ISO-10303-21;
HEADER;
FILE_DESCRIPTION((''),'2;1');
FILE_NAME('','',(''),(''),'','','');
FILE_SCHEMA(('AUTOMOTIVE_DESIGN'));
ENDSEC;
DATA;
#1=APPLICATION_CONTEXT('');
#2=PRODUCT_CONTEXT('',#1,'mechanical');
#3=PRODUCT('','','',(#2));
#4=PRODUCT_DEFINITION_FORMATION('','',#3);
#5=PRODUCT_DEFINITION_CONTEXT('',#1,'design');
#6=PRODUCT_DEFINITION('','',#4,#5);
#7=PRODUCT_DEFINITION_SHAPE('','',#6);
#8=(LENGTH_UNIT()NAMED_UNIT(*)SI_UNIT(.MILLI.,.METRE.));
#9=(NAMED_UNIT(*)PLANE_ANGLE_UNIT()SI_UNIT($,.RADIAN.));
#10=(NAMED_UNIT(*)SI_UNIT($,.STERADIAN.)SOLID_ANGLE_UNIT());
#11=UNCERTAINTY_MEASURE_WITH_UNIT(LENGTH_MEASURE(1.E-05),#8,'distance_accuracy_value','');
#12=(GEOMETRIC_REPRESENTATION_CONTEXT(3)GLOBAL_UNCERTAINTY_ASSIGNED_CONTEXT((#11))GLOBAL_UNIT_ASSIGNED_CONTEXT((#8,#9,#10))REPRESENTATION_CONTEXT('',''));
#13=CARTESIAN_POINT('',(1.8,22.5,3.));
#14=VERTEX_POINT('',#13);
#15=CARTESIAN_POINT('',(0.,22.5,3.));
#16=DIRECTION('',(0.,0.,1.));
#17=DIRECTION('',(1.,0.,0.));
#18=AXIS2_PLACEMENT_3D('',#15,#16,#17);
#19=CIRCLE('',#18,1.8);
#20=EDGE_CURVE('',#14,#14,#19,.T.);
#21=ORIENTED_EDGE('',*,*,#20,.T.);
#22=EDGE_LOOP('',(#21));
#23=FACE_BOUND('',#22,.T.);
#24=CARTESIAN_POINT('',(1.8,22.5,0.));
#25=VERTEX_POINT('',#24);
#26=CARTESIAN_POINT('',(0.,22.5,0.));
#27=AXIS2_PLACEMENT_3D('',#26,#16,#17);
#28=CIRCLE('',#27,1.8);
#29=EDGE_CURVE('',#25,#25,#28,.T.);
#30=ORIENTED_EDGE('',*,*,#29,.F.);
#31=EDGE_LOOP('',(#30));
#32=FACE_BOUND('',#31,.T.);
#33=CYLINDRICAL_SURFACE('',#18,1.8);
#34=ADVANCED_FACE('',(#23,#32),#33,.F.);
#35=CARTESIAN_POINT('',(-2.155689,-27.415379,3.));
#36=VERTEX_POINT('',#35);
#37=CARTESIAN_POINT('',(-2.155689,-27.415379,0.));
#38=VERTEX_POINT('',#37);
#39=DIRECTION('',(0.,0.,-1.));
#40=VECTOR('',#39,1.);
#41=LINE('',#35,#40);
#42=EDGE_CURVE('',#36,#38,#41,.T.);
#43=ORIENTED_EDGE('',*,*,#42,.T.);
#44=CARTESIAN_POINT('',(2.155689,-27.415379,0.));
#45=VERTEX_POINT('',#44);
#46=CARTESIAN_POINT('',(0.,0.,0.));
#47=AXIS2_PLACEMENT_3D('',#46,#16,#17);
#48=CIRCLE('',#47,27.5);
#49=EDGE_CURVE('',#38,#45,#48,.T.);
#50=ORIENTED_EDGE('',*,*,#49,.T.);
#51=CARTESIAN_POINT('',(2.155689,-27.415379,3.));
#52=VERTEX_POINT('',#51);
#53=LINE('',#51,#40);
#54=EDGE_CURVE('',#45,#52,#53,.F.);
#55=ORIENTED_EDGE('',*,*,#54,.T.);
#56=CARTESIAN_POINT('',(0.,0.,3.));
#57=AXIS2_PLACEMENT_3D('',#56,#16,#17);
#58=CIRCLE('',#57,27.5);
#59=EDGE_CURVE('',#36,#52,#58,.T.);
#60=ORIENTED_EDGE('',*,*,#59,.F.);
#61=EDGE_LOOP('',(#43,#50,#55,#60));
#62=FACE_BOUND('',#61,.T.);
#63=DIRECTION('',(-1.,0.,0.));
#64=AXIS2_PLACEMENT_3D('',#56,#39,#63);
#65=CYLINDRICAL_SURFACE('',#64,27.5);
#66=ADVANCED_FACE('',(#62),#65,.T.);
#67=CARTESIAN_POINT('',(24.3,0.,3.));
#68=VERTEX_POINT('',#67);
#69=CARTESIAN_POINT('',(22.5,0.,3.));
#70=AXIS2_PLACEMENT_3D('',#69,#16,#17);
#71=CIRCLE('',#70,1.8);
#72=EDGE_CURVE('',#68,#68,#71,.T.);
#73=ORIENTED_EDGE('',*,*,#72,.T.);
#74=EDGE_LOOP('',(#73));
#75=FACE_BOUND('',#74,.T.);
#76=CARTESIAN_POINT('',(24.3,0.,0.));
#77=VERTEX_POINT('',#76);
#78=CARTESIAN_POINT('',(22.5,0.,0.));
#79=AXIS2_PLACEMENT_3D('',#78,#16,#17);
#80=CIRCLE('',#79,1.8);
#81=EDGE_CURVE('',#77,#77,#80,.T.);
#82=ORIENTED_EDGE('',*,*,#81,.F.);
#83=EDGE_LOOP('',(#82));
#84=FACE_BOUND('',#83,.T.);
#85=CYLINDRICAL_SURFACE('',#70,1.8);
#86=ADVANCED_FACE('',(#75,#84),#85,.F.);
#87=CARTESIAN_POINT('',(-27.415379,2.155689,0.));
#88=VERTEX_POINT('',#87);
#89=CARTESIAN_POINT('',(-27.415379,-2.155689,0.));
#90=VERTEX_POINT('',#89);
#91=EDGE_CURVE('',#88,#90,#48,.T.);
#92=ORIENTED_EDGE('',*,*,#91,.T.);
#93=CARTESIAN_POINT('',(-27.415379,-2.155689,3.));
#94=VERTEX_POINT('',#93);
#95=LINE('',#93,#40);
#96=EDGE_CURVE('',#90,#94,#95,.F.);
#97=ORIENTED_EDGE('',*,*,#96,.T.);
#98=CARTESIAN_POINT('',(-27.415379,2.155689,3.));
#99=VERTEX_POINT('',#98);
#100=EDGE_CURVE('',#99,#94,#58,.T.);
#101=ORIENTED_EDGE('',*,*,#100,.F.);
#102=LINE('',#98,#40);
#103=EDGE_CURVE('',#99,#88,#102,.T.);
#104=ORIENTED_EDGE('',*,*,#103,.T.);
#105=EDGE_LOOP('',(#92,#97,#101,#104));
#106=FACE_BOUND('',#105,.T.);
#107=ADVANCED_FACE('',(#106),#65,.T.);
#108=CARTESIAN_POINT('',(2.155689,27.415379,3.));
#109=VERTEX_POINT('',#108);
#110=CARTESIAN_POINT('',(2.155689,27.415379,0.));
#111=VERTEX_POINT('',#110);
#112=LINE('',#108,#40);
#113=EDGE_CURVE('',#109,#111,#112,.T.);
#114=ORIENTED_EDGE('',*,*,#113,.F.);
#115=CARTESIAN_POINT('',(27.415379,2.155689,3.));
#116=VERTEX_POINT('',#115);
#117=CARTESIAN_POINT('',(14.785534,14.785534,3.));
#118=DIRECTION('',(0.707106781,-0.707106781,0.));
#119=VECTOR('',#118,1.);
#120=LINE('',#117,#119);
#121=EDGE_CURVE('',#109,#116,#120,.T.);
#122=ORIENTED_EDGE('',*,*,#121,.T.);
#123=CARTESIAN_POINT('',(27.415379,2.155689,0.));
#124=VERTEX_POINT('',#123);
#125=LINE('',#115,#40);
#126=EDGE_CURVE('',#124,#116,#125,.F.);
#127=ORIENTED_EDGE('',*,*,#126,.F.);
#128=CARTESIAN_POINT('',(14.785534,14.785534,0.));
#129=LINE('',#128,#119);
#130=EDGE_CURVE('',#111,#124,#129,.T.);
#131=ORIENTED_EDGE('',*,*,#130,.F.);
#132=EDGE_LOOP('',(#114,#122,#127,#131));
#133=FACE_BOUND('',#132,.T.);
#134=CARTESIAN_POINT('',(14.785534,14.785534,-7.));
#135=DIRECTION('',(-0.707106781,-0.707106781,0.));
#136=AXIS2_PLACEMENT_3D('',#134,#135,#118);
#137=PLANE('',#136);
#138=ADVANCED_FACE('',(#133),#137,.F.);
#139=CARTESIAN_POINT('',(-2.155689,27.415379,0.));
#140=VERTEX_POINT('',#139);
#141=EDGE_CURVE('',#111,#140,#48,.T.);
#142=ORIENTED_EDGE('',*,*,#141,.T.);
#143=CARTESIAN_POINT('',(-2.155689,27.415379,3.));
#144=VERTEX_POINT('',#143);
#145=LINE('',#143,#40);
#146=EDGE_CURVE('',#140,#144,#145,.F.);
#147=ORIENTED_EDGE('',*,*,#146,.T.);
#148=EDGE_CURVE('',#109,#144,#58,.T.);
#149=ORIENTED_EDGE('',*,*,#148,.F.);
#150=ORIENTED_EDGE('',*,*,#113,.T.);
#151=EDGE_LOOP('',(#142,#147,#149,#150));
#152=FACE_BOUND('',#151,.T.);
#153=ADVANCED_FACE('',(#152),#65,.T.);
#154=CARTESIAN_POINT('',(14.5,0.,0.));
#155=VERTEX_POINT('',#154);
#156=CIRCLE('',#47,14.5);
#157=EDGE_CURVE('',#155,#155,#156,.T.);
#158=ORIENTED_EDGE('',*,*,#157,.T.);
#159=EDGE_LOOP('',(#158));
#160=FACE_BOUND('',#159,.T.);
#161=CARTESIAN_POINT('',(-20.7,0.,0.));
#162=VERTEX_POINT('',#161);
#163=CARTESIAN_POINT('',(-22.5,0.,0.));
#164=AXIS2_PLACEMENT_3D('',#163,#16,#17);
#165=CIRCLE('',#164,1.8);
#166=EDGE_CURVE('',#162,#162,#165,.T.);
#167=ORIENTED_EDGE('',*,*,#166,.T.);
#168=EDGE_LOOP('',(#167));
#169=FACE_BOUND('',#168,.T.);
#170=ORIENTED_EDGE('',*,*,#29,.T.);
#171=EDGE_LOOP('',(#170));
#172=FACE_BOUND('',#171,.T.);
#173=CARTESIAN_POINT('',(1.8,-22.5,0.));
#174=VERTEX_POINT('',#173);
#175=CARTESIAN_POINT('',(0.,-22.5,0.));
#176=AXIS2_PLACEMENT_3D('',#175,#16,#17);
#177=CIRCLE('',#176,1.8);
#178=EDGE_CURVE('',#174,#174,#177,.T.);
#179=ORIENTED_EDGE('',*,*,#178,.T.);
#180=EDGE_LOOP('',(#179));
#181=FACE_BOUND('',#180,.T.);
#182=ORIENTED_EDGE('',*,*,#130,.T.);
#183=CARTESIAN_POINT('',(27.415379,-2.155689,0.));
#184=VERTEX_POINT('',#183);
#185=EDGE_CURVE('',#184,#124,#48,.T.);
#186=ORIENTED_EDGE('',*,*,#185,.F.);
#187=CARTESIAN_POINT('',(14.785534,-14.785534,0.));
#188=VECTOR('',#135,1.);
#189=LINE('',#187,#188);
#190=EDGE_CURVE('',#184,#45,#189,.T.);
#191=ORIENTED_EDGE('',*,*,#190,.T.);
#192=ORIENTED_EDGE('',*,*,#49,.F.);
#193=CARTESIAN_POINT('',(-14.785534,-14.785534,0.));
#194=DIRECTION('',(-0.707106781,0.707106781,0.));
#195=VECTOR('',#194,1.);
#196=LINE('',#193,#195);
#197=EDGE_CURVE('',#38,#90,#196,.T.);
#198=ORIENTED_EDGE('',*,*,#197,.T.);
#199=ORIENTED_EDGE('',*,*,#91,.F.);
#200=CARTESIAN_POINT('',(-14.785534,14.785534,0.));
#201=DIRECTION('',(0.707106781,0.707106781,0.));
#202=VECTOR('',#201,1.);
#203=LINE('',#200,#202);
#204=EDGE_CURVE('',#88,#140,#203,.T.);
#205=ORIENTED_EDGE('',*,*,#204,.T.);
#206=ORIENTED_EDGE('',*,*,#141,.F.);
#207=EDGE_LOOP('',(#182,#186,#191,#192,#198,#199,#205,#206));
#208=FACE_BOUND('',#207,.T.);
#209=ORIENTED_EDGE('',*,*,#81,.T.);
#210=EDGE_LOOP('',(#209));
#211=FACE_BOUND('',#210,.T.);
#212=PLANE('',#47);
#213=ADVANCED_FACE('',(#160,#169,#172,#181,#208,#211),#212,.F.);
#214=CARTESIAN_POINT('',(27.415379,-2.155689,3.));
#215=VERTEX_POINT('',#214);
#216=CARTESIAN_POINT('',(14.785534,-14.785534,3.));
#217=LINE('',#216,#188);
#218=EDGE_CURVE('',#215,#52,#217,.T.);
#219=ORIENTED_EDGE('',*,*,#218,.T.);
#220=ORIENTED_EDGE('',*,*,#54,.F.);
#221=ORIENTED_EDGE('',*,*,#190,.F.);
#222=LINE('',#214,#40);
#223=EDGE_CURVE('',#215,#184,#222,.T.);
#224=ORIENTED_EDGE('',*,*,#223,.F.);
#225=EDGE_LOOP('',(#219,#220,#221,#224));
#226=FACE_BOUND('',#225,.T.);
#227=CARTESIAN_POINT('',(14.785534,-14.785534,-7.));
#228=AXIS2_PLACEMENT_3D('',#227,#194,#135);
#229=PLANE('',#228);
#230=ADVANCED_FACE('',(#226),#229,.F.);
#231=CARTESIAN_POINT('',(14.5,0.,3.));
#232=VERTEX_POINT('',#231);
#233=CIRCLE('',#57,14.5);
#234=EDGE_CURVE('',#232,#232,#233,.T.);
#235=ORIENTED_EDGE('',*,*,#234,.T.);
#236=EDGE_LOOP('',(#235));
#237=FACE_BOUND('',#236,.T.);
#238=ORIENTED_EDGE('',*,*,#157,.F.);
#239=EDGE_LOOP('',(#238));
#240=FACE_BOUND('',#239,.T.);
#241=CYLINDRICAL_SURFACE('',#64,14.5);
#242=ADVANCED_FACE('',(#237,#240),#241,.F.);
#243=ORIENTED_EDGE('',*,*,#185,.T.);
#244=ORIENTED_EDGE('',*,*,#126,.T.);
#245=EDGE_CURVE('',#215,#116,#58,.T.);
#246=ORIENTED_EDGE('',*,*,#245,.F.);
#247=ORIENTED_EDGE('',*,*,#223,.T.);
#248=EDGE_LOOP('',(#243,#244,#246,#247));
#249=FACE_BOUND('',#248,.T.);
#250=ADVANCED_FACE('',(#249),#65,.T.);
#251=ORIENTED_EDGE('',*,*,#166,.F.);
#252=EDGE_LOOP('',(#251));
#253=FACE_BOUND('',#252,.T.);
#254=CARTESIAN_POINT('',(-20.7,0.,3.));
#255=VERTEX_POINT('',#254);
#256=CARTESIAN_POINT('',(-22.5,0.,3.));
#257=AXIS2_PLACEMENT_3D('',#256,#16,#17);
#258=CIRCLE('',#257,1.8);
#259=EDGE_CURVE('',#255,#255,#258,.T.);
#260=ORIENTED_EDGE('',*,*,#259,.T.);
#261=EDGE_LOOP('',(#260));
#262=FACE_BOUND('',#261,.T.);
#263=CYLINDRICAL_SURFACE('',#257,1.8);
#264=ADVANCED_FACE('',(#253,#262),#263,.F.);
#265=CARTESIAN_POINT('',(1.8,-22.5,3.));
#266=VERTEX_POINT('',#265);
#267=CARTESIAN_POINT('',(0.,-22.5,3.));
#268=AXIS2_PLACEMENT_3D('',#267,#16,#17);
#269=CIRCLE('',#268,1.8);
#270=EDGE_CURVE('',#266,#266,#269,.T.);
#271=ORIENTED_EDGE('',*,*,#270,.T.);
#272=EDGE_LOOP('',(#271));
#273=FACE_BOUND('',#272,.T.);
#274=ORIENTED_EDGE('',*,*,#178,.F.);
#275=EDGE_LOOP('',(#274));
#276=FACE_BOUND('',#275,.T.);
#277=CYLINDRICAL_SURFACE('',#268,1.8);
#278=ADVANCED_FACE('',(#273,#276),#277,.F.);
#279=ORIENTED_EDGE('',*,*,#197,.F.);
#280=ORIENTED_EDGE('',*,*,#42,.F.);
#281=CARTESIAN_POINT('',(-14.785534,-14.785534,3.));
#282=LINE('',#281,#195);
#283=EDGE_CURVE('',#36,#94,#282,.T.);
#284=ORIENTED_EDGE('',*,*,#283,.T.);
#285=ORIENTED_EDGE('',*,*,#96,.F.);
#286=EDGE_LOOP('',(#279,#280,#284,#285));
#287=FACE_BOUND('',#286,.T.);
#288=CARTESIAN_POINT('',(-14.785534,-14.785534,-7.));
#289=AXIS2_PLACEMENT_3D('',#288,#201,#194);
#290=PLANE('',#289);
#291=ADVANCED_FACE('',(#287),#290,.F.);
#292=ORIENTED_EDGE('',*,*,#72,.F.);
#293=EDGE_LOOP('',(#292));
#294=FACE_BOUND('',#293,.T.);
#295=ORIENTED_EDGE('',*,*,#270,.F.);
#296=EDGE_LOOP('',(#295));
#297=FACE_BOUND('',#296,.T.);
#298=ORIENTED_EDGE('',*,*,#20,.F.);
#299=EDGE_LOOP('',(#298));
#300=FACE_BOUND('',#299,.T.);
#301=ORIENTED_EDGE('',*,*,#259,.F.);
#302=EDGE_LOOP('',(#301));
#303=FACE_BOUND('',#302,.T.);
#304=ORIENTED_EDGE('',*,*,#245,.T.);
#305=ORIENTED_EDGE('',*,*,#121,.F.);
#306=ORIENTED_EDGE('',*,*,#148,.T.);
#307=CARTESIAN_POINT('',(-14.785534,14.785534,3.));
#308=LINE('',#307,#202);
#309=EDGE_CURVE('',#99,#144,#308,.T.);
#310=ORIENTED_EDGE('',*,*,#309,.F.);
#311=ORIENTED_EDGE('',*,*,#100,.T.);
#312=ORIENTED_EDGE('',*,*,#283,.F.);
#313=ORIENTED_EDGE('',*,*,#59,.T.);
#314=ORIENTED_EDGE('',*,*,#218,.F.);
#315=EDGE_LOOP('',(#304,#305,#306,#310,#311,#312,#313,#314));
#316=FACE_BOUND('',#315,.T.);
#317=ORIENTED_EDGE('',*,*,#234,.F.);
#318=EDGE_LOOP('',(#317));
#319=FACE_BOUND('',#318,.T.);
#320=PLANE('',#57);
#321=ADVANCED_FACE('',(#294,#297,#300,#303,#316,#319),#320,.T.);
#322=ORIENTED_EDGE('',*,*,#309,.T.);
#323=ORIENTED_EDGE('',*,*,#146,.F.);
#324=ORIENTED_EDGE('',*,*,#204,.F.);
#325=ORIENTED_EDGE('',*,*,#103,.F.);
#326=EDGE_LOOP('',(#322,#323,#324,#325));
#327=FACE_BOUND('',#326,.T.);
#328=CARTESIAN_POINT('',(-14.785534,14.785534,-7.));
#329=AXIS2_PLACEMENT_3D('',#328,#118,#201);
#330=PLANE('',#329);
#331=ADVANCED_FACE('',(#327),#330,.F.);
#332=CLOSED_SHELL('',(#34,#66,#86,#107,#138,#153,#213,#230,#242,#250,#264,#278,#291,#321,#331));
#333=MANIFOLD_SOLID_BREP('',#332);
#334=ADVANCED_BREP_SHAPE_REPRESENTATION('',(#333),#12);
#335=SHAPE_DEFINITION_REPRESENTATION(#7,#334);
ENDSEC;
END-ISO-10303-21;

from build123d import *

# Parameters (mm, degrees)
SKETCH1_R            = 27.5
SKETCH1_R_2          = 14.5
SKETCH1_R_3          = 1.5
BOSS_EXTRUDE1_DEPTH  = 3
CUT_EXTRUDE1_START   = -10
CUT_EXTRUDE1_DEPTH   = 10
M3_CLEARANCE_HOLE1_D = 3.6


with BuildPart() as part:
    # Sketch1 → Boss-Extrude1 (new body)
    with BuildSketch(Plane.XY):
        Circle(SKETCH1_R)
        Circle(SKETCH1_R_2, mode=Mode.SUBTRACT)
        with Locations((0, 22.5)):
            Circle(SKETCH1_R_3, mode=Mode.SUBTRACT)
        with Locations((22.5, 0)):
            Circle(SKETCH1_R_3, mode=Mode.SUBTRACT)
        with Locations((0, -22.5)):
            Circle(SKETCH1_R_3, mode=Mode.SUBTRACT)
        with Locations((-22.5, 0)):
            Circle(SKETCH1_R_3, mode=Mode.SUBTRACT)
    extrude(amount=BOSS_EXTRUDE1_DEPTH)

    # Sketch2 → Cut-Extrude1 (cut)
    with BuildSketch(Plane.XY.offset(3).offset(CUT_EXTRUDE1_START)):
        with BuildLine():
            ThreePointArc((-2.155688811, 27.415379001), (-19.445436483, 19.445436483), (-27.415379001, 2.155688811))
            Line((-27.415379001, 2.155688811), (-2.155688811, 27.415379001))
        make_face()
        with BuildLine():
            ThreePointArc((27.415379001, 2.155688811), (19.445436483, 19.445436483), (2.155688811, 27.415379001))
            Line((2.155688811, 27.415379001), (27.415379001, 2.155688811))
        make_face()
        with BuildLine():
            Line((27.415379001, -2.155688811), (2.155688811, -27.415379001))
            ThreePointArc((2.155688811, -27.415379001), (19.445436483, -19.445436483), (27.415379001, -2.155688811))
        make_face()
        with BuildLine():
            Line((-2.155688811, -27.415379001), (-27.415379001, -2.155688811))
            ThreePointArc((-27.415379001, -2.155688811), (-19.445436483, -19.445436483), (-2.155688811, -27.415379001))
        make_face()
    extrude(amount=CUT_EXTRUDE1_DEPTH, mode=Mode.SUBTRACT)

    # M3 Clearance Hole1 (through all)
    with Locations(Plane.XY.offset(3)):
        with Locations((0, 22.5), (-22.5, 0), (0, -22.5), (22.5, 0)):
            Hole(M3_CLEARANCE_HOLE1_D / 2)


solid = part.part
